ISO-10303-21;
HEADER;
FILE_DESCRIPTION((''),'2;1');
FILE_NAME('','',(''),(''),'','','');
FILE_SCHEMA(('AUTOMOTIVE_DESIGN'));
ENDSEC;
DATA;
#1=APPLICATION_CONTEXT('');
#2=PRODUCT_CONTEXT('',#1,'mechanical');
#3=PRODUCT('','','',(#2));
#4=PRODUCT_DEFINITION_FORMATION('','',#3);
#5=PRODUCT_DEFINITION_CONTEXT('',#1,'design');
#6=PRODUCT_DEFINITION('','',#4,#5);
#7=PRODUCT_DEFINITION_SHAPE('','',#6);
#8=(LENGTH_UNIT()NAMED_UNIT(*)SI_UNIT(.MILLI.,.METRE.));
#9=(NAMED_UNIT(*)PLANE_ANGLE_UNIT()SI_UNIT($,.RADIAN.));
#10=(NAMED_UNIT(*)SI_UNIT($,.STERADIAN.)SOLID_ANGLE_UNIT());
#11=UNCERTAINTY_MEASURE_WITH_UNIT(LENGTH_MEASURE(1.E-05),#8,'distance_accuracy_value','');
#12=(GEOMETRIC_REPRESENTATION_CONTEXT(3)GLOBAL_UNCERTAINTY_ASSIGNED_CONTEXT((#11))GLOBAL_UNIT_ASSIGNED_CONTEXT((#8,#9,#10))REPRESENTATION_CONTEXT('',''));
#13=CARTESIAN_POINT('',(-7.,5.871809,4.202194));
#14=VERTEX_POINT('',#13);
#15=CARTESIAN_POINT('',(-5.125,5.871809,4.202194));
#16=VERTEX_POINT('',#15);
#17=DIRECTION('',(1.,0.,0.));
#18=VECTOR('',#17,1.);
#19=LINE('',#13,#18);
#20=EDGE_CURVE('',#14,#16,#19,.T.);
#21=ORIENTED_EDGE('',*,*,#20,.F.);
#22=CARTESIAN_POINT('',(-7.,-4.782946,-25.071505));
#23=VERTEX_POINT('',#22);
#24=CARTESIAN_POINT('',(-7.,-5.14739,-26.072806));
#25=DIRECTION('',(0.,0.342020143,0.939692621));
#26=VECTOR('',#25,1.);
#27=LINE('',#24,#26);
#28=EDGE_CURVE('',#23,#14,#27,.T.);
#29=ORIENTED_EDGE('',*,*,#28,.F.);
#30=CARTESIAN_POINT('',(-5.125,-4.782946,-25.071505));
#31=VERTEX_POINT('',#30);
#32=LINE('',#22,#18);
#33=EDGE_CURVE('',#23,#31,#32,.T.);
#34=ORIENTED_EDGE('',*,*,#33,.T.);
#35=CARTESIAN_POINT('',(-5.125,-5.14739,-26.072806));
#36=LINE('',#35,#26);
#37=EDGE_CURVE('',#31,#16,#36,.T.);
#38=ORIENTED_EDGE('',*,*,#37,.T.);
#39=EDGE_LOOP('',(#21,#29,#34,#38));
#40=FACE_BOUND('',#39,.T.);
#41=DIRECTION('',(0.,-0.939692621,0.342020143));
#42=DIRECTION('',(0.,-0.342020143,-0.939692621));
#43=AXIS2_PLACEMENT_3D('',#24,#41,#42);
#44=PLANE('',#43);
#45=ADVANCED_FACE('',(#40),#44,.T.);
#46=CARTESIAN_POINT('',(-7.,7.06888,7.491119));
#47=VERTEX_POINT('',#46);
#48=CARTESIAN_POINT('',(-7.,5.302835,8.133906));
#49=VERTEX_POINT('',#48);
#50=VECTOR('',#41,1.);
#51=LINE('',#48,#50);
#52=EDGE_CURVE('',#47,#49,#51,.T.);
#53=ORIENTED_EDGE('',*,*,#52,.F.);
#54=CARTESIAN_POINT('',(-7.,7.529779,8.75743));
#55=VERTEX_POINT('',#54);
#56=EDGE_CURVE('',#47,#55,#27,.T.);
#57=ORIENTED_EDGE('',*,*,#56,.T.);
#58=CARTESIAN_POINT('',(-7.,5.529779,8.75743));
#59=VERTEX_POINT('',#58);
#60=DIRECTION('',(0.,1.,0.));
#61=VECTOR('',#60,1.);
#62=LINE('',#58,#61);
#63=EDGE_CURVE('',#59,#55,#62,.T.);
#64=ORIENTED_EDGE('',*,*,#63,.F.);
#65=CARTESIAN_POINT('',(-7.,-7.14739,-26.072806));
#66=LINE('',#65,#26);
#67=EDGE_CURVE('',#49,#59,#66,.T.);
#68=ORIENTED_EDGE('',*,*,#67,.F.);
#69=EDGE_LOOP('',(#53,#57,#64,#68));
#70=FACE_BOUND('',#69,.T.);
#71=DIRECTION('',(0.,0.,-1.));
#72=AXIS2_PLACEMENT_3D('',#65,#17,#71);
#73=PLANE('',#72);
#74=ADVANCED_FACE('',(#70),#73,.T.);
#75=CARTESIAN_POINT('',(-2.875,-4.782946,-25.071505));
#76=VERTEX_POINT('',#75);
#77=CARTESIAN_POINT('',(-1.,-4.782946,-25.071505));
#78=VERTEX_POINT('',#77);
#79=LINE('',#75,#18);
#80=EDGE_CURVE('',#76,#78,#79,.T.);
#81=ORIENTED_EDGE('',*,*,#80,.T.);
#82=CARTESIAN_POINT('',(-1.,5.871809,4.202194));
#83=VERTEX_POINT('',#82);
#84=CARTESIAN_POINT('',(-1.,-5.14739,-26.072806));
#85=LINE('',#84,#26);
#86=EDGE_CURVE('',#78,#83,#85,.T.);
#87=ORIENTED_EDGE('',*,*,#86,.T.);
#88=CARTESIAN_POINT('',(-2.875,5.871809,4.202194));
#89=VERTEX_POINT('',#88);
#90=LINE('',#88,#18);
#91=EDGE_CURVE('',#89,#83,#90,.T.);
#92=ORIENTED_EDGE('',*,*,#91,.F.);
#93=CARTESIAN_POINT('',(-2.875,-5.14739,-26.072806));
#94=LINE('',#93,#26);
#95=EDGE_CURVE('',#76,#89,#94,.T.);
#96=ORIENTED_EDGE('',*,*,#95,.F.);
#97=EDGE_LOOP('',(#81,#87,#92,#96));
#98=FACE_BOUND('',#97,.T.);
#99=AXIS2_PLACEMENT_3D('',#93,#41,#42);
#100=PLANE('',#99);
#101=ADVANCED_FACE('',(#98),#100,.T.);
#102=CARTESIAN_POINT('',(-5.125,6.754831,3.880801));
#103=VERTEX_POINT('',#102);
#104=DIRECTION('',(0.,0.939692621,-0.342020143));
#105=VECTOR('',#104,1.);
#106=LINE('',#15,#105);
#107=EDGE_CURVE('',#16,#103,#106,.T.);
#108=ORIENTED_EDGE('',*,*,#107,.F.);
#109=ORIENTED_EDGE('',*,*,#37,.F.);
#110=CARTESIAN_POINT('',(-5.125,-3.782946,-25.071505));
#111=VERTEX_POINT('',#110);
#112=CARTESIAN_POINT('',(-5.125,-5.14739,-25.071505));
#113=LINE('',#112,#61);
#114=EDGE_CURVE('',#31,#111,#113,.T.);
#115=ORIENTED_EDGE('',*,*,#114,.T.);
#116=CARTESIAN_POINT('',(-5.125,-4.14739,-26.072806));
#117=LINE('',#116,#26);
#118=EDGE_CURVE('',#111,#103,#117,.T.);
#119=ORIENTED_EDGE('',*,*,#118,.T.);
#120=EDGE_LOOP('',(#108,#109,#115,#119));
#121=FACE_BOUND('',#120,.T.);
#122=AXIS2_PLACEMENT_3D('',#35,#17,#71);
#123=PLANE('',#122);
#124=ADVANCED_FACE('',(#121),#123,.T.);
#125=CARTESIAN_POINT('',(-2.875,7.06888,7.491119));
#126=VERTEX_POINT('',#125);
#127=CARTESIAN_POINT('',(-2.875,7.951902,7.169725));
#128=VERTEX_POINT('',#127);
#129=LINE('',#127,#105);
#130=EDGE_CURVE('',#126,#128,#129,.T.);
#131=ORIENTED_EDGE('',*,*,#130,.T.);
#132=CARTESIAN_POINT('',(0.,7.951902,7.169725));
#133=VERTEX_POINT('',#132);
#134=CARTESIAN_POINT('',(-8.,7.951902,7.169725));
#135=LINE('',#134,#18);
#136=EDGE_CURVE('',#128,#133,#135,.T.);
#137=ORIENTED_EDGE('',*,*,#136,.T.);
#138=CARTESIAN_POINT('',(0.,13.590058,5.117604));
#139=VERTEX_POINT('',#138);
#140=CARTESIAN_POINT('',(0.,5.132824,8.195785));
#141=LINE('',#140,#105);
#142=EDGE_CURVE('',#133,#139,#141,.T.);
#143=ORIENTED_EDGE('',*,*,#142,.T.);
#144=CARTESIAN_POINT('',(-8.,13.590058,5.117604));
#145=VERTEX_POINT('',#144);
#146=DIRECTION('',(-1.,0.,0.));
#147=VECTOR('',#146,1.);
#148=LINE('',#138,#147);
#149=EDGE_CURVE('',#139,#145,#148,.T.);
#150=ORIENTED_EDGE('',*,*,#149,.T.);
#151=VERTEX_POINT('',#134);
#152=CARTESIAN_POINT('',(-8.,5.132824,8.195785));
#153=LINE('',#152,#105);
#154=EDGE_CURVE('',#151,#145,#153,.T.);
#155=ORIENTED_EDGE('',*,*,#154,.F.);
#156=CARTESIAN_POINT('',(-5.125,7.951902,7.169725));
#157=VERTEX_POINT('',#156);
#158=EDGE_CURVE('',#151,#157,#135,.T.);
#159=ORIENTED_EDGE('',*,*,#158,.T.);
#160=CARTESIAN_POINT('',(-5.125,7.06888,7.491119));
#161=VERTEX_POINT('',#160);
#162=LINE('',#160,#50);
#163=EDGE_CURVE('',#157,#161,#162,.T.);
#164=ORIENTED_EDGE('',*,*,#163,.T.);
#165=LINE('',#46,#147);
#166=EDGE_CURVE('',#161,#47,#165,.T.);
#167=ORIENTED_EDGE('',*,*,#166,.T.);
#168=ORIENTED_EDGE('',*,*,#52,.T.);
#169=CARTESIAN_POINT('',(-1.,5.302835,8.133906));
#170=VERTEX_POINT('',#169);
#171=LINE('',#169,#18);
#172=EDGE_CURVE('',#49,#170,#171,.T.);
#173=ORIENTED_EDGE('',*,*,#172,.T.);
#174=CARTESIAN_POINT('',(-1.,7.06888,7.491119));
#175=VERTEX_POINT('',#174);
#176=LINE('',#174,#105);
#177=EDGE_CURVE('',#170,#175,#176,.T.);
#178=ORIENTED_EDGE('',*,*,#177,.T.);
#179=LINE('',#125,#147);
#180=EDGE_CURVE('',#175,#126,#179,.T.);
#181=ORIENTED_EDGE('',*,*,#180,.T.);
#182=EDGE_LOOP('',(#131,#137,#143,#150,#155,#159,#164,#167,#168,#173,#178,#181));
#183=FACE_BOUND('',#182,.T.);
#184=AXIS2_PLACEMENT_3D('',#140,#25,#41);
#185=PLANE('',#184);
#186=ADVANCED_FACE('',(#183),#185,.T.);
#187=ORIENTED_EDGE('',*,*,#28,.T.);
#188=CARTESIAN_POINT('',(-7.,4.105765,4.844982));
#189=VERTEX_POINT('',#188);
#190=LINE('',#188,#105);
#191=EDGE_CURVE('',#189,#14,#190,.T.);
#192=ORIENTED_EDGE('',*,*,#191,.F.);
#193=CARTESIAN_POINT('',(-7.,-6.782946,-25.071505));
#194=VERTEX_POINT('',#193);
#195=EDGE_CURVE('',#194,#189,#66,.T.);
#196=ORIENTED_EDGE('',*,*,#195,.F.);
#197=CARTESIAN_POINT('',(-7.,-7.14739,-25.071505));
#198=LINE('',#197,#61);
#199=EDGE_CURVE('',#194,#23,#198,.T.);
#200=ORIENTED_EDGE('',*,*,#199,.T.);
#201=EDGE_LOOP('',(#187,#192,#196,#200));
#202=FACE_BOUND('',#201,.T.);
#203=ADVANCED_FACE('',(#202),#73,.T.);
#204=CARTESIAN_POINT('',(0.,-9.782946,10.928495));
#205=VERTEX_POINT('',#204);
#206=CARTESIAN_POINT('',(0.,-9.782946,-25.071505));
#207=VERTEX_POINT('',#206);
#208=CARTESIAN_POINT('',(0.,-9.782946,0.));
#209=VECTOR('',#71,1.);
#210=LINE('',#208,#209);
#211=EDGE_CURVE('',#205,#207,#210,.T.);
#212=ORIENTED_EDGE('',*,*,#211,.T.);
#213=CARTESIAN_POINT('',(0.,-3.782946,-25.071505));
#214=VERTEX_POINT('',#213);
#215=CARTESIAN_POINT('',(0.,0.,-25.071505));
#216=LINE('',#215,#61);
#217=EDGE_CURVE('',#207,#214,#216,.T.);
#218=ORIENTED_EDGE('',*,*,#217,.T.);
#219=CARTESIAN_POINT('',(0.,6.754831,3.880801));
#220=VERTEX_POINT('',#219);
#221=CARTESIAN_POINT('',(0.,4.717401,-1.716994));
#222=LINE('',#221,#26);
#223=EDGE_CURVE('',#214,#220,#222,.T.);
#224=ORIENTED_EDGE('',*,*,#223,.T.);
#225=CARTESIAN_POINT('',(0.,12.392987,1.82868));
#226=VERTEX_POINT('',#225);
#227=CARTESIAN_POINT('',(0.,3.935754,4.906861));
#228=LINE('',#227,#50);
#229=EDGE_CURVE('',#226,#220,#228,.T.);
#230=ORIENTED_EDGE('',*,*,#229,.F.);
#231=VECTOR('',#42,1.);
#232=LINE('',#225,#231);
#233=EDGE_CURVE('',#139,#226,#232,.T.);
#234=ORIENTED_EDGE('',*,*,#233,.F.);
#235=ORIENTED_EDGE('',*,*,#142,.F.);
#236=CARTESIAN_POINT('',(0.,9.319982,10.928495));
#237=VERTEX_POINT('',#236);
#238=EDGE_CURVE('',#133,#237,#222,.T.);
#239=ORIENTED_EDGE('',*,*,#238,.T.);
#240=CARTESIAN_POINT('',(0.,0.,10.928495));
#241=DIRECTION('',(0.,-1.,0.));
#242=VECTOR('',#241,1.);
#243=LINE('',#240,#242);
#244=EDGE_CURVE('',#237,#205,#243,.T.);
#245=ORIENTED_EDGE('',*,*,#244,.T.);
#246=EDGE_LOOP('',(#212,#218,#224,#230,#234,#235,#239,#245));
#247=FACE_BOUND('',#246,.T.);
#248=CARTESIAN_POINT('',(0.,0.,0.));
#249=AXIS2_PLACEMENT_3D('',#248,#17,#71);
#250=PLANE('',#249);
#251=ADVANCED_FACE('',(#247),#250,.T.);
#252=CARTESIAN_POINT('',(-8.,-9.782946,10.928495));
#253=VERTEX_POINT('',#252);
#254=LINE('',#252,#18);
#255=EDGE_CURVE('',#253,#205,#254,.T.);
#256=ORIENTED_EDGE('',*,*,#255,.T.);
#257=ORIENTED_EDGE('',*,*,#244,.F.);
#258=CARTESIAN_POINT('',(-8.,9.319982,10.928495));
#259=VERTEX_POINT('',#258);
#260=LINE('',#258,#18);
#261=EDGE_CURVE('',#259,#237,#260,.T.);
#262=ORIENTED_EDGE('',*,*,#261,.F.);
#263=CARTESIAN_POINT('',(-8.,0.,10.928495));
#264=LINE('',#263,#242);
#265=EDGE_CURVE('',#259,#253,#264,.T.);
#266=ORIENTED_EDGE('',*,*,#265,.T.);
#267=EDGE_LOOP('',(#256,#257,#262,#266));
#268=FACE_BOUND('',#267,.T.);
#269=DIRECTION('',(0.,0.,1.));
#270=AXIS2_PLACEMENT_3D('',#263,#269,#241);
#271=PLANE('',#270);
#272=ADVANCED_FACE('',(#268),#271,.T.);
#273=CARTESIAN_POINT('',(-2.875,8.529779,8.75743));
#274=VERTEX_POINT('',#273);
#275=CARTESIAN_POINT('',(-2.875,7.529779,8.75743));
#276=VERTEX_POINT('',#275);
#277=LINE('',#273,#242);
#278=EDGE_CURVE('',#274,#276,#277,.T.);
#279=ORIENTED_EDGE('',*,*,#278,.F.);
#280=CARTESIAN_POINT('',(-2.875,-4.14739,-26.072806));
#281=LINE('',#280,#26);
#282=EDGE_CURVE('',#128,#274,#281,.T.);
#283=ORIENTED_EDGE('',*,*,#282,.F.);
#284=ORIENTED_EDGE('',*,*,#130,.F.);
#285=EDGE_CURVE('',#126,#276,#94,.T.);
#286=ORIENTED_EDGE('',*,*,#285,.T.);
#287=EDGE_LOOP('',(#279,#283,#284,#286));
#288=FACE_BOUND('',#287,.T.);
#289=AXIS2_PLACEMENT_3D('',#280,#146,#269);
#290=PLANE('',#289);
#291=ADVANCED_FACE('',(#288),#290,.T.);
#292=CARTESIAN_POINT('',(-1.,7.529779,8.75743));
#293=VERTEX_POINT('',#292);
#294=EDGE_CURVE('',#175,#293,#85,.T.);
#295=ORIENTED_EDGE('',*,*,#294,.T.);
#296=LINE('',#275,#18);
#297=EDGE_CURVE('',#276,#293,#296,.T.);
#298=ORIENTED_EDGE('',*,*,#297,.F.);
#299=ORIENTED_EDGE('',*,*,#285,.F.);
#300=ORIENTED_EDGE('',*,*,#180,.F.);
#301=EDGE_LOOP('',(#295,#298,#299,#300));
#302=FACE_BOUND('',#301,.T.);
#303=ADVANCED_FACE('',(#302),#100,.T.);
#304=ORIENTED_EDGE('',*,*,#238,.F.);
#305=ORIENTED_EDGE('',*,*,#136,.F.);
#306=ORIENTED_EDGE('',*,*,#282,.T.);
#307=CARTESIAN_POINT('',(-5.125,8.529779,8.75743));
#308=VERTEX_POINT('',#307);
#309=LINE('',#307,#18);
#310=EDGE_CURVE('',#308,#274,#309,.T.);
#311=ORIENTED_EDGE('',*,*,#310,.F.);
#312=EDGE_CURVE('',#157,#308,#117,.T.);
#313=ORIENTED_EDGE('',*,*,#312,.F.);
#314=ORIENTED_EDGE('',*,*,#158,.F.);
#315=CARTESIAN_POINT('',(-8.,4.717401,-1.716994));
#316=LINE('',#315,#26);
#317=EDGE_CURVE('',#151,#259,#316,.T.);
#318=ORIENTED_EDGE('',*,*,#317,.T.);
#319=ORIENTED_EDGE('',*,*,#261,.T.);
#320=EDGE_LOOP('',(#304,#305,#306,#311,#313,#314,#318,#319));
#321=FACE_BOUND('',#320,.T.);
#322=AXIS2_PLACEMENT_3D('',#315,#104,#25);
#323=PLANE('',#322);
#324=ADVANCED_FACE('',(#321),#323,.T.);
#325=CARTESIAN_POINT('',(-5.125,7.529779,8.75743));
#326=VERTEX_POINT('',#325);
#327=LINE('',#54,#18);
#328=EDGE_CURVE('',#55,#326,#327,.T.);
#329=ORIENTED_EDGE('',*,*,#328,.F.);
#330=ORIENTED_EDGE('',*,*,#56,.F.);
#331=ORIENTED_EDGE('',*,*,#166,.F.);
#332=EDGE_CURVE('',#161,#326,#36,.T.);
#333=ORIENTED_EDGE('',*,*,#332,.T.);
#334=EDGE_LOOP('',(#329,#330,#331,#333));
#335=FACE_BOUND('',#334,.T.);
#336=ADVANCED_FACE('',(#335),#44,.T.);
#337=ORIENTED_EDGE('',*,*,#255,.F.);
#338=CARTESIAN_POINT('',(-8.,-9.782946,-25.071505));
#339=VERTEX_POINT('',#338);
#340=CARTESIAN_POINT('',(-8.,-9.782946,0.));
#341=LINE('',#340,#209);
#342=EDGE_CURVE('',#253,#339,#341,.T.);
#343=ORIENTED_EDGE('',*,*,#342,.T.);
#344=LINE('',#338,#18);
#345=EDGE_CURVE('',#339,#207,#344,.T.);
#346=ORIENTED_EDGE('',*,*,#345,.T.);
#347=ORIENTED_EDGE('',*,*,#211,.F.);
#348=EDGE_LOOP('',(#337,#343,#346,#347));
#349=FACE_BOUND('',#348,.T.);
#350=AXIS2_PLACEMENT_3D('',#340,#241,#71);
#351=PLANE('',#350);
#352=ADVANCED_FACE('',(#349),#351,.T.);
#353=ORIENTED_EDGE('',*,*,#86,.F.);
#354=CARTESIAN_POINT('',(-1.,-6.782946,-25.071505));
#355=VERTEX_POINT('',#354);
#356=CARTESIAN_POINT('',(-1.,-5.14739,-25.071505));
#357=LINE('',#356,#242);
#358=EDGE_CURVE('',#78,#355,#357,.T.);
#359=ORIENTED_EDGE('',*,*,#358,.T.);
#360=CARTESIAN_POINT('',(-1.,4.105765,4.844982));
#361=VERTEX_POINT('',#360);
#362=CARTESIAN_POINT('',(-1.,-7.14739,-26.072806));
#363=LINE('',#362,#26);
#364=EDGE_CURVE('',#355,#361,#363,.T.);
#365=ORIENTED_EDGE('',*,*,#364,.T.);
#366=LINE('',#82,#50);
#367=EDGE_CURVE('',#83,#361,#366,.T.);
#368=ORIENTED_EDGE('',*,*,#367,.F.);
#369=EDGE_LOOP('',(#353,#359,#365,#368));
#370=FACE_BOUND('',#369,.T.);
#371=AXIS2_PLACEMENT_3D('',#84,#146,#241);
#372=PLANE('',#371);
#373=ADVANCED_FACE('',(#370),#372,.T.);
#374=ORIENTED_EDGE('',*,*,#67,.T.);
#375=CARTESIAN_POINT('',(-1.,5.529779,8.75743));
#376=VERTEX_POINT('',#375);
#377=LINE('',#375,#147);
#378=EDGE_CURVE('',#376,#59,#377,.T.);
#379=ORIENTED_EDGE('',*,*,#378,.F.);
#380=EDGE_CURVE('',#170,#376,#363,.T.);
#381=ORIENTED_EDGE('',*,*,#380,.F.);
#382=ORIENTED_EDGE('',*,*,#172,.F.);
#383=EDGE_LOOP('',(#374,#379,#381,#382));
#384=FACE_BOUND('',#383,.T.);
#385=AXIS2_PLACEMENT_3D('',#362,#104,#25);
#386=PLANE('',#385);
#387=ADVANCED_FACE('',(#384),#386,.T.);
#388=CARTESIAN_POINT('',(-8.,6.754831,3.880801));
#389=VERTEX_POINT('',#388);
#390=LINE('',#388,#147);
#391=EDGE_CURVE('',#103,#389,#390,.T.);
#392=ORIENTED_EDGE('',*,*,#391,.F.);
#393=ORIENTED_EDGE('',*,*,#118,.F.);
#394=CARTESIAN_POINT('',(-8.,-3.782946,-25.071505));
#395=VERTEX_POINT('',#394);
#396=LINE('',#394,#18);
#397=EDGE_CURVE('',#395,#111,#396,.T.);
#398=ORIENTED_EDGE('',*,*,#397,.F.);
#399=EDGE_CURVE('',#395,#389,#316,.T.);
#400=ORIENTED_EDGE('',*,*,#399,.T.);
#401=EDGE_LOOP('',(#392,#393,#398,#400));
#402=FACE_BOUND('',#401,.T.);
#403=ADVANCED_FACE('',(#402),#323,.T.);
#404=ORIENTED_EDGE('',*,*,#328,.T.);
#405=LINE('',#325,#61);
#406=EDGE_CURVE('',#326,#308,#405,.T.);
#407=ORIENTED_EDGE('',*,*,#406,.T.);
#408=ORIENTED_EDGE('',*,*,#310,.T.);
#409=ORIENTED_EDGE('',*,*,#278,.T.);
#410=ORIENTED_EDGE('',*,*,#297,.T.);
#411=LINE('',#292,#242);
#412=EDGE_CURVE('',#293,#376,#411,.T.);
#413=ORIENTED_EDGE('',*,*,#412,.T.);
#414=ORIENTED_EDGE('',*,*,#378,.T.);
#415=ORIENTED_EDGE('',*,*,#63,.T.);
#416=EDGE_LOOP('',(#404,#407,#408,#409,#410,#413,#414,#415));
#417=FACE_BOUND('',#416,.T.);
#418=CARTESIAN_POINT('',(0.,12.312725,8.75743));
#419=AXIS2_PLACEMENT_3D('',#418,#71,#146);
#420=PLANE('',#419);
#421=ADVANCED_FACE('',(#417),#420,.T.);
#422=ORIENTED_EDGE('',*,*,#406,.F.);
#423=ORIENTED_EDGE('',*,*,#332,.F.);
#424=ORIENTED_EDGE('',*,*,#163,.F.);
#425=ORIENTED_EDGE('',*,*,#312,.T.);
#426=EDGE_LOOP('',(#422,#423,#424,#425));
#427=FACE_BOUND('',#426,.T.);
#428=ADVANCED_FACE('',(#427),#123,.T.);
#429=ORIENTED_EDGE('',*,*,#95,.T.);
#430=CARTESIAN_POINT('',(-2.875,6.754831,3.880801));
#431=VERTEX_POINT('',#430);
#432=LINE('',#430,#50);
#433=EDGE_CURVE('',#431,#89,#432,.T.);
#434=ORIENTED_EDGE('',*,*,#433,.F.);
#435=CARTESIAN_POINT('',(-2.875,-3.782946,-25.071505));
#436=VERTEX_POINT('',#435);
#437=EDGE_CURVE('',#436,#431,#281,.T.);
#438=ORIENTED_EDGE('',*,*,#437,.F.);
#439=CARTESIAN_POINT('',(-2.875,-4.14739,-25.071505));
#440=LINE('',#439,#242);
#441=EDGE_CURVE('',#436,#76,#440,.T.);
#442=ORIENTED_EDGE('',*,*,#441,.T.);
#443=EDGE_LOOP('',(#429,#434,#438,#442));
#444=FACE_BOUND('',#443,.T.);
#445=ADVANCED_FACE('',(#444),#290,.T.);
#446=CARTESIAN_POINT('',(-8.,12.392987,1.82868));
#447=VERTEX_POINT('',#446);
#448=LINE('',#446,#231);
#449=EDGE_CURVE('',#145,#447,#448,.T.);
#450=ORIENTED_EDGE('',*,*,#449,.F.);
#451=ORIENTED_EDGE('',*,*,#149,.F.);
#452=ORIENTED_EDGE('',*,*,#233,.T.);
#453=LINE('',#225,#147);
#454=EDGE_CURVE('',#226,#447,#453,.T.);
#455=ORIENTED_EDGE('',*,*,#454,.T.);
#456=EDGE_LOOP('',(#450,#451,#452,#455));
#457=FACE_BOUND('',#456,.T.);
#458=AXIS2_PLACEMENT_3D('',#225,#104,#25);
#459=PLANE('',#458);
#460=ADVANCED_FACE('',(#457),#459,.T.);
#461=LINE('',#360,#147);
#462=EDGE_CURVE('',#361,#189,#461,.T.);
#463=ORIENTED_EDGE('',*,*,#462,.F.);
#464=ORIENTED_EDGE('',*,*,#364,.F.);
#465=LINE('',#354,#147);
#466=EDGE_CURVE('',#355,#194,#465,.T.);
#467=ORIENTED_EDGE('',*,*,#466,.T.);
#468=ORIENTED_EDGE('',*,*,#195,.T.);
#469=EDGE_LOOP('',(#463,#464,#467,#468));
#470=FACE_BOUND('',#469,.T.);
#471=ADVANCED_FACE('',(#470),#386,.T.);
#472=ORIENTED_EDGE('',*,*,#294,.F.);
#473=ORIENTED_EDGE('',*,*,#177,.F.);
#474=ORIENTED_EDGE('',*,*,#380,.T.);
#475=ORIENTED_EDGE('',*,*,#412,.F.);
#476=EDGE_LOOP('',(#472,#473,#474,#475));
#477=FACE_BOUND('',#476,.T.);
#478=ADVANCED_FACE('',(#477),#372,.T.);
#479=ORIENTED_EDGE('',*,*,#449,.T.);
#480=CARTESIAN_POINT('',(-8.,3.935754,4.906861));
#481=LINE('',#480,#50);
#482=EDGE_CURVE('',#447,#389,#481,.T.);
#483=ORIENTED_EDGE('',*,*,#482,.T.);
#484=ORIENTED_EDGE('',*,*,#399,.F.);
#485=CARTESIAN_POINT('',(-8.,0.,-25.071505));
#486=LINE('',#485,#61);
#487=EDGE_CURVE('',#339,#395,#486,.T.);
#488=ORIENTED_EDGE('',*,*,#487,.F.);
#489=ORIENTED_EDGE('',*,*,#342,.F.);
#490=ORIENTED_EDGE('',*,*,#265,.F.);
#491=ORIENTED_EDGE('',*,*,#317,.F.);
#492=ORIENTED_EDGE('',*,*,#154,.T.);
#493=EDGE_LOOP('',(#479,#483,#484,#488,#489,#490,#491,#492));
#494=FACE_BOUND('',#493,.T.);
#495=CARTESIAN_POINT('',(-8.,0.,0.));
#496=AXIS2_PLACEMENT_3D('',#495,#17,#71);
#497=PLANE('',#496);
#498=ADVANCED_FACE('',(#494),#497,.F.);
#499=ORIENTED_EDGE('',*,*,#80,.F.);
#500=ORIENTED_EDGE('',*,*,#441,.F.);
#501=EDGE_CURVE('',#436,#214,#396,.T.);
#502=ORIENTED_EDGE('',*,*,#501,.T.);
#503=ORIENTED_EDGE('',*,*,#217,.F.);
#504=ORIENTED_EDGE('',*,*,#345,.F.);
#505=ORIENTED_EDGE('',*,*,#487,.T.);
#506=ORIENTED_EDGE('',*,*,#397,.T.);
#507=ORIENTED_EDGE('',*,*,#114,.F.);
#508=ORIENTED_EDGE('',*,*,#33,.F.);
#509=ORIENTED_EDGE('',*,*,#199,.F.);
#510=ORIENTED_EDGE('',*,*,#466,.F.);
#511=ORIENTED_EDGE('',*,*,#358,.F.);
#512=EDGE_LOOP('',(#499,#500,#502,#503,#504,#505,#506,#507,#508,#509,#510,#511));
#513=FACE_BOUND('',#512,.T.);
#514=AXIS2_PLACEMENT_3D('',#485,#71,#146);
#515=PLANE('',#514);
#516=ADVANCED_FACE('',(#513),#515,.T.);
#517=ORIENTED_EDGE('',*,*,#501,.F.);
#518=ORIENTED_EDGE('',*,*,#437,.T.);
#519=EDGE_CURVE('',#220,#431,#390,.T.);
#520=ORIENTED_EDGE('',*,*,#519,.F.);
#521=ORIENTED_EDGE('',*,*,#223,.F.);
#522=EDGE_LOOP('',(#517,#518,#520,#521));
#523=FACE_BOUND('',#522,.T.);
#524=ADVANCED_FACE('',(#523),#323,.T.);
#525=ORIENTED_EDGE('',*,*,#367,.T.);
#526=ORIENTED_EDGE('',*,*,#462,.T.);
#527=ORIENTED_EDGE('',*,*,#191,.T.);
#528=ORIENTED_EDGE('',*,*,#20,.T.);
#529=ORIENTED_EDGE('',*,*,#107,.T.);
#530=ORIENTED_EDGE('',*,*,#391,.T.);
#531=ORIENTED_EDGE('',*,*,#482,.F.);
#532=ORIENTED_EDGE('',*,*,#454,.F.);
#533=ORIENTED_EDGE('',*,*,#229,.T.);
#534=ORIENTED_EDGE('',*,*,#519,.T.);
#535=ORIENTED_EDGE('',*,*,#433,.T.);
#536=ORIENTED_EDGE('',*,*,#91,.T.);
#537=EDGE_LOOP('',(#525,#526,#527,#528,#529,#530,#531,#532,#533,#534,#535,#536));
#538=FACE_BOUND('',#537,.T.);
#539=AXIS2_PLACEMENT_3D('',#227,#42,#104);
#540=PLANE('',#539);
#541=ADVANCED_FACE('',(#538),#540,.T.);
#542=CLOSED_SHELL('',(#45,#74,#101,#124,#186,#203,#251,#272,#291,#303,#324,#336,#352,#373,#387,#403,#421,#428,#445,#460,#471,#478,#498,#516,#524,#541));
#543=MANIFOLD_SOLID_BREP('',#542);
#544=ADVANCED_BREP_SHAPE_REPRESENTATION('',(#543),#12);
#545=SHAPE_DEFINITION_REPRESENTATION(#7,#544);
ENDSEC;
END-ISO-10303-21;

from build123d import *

# Parameters (mm, degrees)
BOSS_EXTRUDE1_DEPTH = 8
BOSS_EXTRUDE2_DEPTH = 8


with BuildPart() as part:
    # Sketch2 → Boss-Extrude1 (new body)
    with BuildSketch(Plane(origin=(0, 0, 0), x_dir=(0, 0, -1), z_dir=(1, 0, 0))):
        Polygon((-10.928495294, -9.782945939), (25.071504706, -9.782945939), (25.071504706, -3.782945939), (-10.928495294, 9.319982495), align=None)
    extrude(amount=-BOSS_EXTRUDE1_DEPTH)

    # Cut-Sweep3: sweep along a path in Sketch5
    with BuildLine(Plane.ZY.offset(8)) as cut_sweep3_path:
        Line((-25.071504706, -6.975479256), (8.757429642, 5.337245904))
    # Sketch3 → Cut-Sweep3 (sweep, cut)
    with BuildSketch(Plane(origin=(0, 0, -25.071504706), x_dir=(-1, 0, 0), z_dir=(0, 0, -1))):
        Polygon((2.875, -3.782945939), (2.875, -4.782945939), (1, -4.782945939), (1, -6.782945939), (7, -6.782945939), (7, -4.782945939), (5.125, -4.782945939), (5.125, -3.782945939), align=None)
    sweep(path=cut_sweep3_path.line, mode=Mode.SUBTRACT)

    # Sketch6 → Boss-Extrude2 (add)
    with BuildSketch(Plane.ZY.offset(8)):
        Polygon((4.906861068, 3.935753558), (8.195785241, 5.132824059), (5.117603951, 13.590057646), (1.828679778, 12.392987145), align=None)
    extrude(amount=-BOSS_EXTRUDE2_DEPTH)


solid = part.part
